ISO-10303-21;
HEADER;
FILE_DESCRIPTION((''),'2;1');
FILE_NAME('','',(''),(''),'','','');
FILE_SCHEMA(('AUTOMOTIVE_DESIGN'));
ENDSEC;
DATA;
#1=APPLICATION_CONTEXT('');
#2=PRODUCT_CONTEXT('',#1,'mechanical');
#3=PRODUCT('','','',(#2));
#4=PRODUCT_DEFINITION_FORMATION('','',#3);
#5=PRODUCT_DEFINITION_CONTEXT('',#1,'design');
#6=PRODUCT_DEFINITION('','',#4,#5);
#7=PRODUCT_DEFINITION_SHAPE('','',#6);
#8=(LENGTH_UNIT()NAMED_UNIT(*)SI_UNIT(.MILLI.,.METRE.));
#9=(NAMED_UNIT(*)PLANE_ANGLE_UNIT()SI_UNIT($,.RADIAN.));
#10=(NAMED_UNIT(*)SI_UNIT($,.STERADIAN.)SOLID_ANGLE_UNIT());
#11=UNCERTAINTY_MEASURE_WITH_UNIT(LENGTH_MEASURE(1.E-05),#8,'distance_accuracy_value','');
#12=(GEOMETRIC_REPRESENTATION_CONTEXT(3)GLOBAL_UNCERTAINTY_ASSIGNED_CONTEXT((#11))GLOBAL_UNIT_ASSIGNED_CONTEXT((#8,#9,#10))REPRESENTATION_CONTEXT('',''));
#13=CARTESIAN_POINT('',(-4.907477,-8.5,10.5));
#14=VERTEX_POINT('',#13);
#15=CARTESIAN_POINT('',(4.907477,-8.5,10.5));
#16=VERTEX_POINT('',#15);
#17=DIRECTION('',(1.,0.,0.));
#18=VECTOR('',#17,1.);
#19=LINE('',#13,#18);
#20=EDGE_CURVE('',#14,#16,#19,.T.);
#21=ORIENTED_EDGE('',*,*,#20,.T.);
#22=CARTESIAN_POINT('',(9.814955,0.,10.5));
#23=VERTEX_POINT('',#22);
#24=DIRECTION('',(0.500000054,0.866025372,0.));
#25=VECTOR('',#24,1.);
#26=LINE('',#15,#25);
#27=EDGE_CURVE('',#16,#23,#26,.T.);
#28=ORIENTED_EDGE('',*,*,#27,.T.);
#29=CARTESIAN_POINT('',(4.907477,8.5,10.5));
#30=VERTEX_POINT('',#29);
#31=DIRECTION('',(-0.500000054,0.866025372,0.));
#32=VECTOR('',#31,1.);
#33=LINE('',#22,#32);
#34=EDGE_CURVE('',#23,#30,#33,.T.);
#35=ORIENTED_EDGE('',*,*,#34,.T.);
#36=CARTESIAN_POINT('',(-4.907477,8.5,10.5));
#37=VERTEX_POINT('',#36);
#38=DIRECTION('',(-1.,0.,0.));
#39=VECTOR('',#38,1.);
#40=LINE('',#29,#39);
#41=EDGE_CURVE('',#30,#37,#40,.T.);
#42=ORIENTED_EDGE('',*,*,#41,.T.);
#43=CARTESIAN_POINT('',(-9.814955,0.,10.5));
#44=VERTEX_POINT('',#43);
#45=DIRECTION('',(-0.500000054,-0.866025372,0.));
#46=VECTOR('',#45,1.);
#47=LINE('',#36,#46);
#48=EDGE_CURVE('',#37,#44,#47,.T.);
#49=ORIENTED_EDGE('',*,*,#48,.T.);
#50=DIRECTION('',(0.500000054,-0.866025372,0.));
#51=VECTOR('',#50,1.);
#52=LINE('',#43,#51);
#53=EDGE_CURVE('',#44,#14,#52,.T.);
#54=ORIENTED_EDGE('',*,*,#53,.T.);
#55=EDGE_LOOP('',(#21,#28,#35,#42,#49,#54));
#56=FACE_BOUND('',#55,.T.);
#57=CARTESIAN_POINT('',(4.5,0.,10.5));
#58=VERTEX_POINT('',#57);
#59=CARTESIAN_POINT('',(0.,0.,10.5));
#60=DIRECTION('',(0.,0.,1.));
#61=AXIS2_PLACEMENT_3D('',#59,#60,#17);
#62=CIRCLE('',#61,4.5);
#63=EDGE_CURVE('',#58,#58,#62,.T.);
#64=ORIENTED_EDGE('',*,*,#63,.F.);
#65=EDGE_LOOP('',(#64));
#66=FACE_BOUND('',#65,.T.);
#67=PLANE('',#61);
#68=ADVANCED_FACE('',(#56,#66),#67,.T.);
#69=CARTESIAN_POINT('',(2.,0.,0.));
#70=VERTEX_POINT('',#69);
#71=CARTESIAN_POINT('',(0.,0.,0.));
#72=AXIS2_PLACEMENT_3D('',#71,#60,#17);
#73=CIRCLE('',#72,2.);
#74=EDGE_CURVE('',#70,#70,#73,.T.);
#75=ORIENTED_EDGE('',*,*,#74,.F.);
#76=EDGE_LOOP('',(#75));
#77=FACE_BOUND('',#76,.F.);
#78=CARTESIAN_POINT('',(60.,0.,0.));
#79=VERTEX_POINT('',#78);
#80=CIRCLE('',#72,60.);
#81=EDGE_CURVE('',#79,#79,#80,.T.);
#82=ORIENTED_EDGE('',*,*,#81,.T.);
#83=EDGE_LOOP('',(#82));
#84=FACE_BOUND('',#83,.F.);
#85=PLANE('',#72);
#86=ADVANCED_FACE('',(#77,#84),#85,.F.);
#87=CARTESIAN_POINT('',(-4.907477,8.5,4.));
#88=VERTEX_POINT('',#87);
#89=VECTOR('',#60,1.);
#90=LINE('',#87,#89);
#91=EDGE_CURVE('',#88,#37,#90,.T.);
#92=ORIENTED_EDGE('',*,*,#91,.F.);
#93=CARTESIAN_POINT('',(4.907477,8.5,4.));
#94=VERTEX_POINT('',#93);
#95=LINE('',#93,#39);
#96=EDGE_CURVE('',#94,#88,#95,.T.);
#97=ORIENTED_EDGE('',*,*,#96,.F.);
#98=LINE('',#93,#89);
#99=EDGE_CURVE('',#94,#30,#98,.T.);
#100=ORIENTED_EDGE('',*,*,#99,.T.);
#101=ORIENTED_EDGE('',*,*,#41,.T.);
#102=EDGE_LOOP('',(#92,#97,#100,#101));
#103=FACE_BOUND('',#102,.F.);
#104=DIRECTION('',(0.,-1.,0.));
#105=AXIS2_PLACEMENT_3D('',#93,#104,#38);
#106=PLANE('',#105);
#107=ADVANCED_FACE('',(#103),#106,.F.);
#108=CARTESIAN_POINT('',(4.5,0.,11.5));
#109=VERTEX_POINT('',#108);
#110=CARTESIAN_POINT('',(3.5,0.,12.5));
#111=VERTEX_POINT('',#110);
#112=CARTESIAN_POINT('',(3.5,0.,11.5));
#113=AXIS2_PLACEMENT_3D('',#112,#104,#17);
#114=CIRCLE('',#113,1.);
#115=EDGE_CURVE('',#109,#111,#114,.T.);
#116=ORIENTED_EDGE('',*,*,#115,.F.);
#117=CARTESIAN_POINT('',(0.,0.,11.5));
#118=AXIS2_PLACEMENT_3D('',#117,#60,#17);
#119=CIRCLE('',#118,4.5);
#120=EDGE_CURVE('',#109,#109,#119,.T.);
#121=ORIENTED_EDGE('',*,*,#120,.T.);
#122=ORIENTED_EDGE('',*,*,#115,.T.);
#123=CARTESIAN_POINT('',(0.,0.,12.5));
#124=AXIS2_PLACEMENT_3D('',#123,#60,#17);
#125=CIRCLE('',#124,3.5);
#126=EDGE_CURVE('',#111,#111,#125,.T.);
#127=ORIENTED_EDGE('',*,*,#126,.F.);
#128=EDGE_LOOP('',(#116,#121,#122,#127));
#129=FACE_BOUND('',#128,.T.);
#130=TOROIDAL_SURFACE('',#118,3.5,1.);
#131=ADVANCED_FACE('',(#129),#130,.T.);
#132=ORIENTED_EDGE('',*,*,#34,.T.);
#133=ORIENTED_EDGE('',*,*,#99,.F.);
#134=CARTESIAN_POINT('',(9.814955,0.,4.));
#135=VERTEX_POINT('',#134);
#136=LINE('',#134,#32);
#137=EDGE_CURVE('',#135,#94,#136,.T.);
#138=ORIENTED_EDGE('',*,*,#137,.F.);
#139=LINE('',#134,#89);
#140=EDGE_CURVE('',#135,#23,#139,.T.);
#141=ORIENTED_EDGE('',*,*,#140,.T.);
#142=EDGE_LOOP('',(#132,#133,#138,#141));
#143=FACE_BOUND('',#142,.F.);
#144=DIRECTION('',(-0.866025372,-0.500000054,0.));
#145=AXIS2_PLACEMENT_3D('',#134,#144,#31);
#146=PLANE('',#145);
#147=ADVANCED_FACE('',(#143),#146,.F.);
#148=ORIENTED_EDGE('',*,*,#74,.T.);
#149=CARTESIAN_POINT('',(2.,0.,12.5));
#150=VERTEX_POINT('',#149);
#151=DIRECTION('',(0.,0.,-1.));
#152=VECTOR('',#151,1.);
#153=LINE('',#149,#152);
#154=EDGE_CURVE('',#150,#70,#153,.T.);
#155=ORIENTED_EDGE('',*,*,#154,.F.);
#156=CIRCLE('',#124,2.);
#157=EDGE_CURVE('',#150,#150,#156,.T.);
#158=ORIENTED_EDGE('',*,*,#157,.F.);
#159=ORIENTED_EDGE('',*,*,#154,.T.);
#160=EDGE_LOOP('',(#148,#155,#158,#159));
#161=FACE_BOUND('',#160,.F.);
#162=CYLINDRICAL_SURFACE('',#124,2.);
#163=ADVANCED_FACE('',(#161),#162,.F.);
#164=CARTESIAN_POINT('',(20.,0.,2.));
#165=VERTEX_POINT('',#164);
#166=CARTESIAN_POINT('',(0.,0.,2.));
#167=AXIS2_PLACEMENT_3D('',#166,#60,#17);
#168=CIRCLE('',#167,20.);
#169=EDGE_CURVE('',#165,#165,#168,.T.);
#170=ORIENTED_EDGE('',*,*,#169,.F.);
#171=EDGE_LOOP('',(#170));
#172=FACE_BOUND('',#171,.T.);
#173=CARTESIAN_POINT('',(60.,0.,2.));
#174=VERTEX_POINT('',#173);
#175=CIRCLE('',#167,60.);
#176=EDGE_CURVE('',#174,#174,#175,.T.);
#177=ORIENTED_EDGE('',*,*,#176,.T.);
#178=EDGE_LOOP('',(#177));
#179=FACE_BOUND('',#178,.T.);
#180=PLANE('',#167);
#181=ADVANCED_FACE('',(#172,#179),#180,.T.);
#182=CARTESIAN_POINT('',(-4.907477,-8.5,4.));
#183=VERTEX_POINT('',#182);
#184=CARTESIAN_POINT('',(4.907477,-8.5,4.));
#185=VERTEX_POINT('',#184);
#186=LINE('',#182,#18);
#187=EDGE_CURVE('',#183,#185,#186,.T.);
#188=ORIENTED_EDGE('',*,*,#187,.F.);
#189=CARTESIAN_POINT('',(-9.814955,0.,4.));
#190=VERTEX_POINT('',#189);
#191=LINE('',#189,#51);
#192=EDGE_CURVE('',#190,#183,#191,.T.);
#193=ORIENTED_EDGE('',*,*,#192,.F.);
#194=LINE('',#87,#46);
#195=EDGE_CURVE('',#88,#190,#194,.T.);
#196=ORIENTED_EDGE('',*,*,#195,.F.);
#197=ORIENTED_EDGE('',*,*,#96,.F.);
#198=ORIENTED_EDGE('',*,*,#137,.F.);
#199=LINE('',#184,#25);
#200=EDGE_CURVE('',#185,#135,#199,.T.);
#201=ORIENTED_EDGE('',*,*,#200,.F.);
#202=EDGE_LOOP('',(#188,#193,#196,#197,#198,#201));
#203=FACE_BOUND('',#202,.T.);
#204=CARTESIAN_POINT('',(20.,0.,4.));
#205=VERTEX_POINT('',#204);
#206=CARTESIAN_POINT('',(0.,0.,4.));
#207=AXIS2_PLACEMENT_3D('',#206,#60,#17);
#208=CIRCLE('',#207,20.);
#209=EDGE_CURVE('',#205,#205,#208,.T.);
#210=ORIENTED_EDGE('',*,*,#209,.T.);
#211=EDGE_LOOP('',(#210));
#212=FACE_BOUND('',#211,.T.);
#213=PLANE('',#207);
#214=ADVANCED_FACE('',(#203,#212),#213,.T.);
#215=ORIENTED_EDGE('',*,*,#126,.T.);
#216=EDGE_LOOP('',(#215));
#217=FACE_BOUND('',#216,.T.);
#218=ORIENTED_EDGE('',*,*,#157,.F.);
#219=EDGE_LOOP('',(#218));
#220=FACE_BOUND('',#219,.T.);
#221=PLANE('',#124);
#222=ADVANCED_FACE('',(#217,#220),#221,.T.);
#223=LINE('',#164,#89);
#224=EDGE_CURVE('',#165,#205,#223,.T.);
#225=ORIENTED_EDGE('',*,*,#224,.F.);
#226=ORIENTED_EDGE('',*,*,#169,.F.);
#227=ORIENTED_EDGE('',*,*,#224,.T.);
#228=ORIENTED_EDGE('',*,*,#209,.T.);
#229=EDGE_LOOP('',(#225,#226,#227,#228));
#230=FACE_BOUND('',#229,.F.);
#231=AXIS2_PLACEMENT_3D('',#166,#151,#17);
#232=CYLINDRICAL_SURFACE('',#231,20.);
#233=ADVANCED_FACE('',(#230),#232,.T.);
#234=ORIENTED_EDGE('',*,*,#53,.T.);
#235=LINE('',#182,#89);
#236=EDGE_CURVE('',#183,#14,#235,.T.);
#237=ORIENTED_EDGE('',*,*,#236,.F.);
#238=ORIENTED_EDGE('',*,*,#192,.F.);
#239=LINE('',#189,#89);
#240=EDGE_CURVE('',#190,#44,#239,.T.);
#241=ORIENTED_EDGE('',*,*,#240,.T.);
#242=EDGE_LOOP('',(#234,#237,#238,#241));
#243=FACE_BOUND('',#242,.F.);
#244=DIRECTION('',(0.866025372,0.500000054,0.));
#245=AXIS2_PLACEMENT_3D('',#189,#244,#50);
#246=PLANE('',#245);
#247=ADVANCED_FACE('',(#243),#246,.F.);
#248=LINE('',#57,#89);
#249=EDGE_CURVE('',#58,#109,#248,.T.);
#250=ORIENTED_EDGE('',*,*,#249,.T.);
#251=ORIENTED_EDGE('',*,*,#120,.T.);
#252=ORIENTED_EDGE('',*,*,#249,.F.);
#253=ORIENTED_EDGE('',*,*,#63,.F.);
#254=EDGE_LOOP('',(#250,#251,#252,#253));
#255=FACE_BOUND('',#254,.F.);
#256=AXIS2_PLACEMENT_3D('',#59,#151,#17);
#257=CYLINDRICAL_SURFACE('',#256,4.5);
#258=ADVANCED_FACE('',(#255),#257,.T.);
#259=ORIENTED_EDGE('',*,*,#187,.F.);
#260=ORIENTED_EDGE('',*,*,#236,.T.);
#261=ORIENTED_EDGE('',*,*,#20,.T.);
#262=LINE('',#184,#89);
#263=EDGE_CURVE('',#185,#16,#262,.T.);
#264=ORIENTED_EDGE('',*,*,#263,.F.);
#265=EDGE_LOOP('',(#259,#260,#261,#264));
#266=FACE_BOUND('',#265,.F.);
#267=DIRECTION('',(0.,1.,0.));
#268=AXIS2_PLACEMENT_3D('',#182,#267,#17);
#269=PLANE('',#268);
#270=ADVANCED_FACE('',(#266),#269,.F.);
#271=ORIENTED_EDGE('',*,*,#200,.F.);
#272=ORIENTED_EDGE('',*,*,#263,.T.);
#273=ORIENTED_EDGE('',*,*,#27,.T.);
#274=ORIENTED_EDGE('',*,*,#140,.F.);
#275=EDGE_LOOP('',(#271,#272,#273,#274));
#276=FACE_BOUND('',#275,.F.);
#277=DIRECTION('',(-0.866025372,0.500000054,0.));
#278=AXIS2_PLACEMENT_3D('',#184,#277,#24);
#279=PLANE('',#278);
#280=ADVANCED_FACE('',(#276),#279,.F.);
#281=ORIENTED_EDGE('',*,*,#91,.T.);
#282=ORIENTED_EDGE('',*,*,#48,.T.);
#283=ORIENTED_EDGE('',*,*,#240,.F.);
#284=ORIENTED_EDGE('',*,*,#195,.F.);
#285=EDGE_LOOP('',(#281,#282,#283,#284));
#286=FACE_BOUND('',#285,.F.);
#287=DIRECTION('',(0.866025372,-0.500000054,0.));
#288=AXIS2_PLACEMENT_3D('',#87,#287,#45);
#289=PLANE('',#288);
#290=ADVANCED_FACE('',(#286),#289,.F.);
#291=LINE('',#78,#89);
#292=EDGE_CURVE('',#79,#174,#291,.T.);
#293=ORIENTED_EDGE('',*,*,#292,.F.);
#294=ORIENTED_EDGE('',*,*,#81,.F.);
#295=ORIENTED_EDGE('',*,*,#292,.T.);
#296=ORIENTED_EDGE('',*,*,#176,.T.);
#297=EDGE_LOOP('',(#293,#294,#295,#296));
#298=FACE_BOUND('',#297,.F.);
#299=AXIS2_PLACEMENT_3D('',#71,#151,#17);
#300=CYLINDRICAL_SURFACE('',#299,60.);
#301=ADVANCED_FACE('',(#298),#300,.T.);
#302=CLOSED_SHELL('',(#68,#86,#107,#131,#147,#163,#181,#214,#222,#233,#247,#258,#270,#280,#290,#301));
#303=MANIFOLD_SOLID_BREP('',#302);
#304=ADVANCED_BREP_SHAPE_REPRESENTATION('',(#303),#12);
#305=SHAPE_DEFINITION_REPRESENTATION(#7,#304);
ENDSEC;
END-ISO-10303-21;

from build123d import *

# Parameters (mm, degrees)
SKETCH_R     = 60
PAD_DEPTH    = 2
SKETCH001_R  = 20
PAD001_DEPTH = 2
PAD002_DEPTH = 6.5
SKETCH003_R  = 4.5
PAD003_DEPTH = 2
FILLET_R     = 1
SKETCH004_R  = 2
POCKET_DEPTH = 12.501


with BuildPart() as part:
    # Sketch → Pad (new body)
    with BuildSketch(Plane.XY):
        Circle(SKETCH_R)
    extrude(amount=PAD_DEPTH)

    # Sketch001 (on Face3 of Pad) → Pad001 (join)
    with BuildSketch(Plane.XY.offset(2)):
        Circle(SKETCH001_R)
    extrude(amount=PAD001_DEPTH)

    # Sketch002 (on Face5 of Pad001) → Pad002 (join)
    with BuildSketch(Plane.XY.offset(4)):
        Polygon((4.907477, 8.5), (-4.907477, 8.5), (-9.814955, 0), (-4.907477, -8.5), (4.907477, -8.5), (9.814955, 0), align=None)
    extrude(amount=PAD002_DEPTH)

    # Sketch003 (on Face12 of Pad002) → Pad003 (join)
    with BuildSketch(Plane.XY.offset(10.5)):
        Circle(SKETCH003_R)
    extrude(amount=PAD003_DEPTH)

    # Fillet
    fillet_edges = [part.edges().sort_by_distance(p)[0] for p in [
        (-4.5, 0, 12.5),
    ]]
    fillet(fillet_edges, radius=FILLET_R)

    # Sketch004 (on Face4 of Fillet) → Pocket (cut, through all)
    with BuildSketch(Plane.XY.offset(12.5)):
        Circle(SKETCH004_R)
    extrude(amount=-POCKET_DEPTH, mode=Mode.SUBTRACT)


solid = part.part
